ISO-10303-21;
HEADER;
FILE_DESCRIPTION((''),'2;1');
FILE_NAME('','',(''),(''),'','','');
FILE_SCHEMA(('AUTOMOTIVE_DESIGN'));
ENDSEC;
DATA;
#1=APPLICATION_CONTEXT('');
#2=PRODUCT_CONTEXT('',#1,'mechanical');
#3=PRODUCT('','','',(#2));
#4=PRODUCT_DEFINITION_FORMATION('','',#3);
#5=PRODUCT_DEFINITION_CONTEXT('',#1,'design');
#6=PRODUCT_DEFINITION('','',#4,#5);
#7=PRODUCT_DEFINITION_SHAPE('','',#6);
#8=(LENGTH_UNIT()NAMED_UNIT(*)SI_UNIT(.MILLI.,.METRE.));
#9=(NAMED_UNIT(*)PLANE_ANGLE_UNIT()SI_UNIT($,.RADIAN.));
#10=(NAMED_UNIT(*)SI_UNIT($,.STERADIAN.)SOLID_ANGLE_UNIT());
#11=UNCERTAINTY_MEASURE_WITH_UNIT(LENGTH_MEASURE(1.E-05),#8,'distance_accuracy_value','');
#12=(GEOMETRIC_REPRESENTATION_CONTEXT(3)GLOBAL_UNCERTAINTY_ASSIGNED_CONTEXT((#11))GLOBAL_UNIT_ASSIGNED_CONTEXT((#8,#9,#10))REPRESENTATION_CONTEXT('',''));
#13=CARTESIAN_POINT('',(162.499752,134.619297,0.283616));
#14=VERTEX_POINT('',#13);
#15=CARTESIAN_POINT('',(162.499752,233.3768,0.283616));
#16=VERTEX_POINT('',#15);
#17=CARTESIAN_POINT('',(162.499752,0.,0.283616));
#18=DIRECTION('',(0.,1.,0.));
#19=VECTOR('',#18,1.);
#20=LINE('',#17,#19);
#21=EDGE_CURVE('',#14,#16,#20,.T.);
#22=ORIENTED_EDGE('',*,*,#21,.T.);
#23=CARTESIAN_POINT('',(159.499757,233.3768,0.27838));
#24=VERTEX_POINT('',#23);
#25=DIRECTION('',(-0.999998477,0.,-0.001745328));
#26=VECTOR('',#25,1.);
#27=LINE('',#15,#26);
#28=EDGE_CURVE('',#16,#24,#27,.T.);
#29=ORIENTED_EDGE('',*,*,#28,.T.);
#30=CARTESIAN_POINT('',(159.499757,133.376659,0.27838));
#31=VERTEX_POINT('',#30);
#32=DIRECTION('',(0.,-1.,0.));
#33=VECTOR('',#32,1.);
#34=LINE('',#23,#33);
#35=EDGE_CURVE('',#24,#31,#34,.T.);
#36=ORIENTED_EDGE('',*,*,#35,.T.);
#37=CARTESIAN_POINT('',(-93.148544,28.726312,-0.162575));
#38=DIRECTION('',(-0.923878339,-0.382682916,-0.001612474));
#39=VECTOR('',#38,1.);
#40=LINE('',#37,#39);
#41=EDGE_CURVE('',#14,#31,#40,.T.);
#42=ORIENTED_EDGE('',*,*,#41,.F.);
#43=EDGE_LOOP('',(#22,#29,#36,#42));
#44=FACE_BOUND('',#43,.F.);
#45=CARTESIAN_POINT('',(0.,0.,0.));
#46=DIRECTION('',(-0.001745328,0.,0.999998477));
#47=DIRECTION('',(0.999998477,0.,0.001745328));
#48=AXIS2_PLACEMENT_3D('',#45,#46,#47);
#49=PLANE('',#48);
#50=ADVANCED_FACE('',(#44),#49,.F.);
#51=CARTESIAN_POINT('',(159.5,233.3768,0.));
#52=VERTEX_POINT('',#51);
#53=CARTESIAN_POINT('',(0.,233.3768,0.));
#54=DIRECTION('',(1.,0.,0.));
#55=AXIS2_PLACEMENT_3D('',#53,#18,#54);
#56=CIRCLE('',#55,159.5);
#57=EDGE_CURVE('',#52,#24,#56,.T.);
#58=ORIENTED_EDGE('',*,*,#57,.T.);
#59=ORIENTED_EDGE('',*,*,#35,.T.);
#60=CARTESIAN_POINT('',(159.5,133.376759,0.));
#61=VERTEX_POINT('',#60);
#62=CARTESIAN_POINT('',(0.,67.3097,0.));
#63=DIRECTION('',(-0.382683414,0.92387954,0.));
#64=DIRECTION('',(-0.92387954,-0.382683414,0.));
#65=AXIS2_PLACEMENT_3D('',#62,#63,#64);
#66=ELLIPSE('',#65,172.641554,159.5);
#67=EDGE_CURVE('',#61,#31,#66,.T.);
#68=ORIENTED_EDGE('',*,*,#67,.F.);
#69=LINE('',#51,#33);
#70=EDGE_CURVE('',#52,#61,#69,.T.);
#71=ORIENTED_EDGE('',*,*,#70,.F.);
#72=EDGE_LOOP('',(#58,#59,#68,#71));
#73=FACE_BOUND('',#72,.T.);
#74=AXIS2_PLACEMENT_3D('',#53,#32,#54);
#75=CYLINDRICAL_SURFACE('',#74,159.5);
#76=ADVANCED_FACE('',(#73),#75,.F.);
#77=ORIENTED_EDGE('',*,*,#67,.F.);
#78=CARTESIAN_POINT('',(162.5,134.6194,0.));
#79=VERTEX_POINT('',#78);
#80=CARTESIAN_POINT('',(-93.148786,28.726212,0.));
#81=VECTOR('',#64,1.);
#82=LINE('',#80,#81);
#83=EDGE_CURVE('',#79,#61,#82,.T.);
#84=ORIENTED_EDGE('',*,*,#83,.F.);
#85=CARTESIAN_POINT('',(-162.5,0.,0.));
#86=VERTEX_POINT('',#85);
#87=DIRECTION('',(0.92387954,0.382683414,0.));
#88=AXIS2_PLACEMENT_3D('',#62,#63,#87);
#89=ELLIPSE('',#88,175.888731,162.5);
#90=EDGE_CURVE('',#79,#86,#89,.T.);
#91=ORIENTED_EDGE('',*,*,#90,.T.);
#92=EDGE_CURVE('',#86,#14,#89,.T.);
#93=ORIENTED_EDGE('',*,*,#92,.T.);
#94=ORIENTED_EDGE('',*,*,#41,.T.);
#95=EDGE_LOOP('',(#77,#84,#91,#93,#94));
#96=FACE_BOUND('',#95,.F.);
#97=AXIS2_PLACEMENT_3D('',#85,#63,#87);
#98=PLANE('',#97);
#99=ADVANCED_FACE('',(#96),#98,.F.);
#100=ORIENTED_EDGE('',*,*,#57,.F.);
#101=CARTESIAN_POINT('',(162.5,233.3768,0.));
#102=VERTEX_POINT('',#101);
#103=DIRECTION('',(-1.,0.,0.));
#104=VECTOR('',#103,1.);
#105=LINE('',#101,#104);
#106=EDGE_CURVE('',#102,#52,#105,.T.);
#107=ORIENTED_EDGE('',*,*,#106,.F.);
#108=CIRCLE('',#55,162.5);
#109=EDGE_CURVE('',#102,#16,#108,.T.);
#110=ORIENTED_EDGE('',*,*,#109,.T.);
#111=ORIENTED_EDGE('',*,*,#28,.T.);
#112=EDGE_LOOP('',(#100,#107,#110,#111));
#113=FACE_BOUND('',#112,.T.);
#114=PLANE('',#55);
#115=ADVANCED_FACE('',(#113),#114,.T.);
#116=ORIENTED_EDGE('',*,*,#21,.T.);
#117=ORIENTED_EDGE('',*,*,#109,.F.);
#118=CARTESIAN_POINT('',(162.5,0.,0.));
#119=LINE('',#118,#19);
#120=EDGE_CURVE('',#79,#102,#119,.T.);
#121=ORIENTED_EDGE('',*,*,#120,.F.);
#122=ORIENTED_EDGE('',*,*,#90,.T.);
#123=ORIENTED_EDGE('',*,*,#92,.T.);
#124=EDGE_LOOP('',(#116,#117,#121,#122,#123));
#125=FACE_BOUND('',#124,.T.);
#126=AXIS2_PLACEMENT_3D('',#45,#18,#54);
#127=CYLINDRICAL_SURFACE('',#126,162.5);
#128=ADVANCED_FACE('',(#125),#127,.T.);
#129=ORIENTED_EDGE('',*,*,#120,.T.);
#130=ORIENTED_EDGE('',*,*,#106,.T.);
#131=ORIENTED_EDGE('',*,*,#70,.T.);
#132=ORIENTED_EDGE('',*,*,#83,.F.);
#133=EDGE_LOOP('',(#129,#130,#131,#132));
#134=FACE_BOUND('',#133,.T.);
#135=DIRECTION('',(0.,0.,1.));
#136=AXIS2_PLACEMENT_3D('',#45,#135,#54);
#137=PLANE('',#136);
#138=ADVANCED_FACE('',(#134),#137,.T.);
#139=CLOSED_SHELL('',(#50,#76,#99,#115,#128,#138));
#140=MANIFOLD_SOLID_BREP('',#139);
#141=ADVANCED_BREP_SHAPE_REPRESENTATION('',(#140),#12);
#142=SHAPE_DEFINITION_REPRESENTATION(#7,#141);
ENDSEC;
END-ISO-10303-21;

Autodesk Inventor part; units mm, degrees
ref_plane "YZ Plane" through (0, 0, 0) normal (1, 0, 0) x (0, 1, 0)
ref_plane "XZ Plane" through (0, 0, 0) normal (0, 1, 0) x (-1, 0, 0)
ref_plane "XY Plane" through (0, 0, 0) normal (0, 0, 1) x (1, 0, 0)
sketch "Sketch1" plane through (0, 0, 0) normal (0, 0, 1) x (1, 0, 0)
  line L0 (0, 0) -> (0, 204.8418)
  line L1 (159.5, 0) -> (162.5, 0)
  line L2 (162.5, 0) -> (162.5, 233.3768)
  line L3 (162.5, 233.3768) -> (159.5, 233.3768)
  line L4 (159.5, 233.3768) -> (159.5, 0)
  line L5 (159.5, 0) -> (-162.5, 133.3768) construction
  line L6 (-162.5, 133.3768) -> (-162.5, 233.3768) construction
  line L7 (-162.5, 233.3768) -> (162.5, 233.3768) construction
  dimension "d0" = 3
  dimension "d1" = 233.3768
  dimension "d2" = 325
  dimension "d7" = 22.5
  dimension "d8" = 325
  dimension "d9" = 100
revolve "Revolution1" add sketch "Sketch1" angle 359.9 about axis through (0, 0, 0) along (0, 1, 0)
sketch "Sketch2" plane through (0, 0, 0) normal (0, 0, 1) x (1, 0, 0)
  line L0 (162.5, 233.3768) -> (-162.5, 233.3768) construction
  line L1 (162.5, 0) -> (162.5, 233.3768) projected
  line L2 (-162.5, 0) -> (-162.5, 233.3768) projected
  line L3 (162.5, 0) -> (-162.5, 0) projected
  line L4 (-162.5, 0) -> (162.5, 134.6194)
  point P0 (0, 0)
  point P1 (162.4998, 233.3768)
  point P2 (162.4998, 0)
  dimension "d6" = 22.5
extrude "Extrusion1" cut sketch "Sketch2" along normal through all both and the other way through all
equation "\"d8\" = d2"
equation "\"BendRadius\" = Thickness"
equation "\"BendReliefWidth\" = Thickness"
equation "\"BendReliefDepth\" = 0.5 * Thickness"
equation "\"CornerReliefSize\" = 4 * Thickness"
equation "\"MinimumRemnant\" = 2 * Thickness"
equation "\"TransitionRadius\" = BendRadius"
equation "\"JacobiRadiusSize\" = BendRadius"
equation "\"GapSize\" = Thickness"
equation "\"Thickness\" = 3"
properties part number "GBK-RK-0031 tube segmeng 1"
